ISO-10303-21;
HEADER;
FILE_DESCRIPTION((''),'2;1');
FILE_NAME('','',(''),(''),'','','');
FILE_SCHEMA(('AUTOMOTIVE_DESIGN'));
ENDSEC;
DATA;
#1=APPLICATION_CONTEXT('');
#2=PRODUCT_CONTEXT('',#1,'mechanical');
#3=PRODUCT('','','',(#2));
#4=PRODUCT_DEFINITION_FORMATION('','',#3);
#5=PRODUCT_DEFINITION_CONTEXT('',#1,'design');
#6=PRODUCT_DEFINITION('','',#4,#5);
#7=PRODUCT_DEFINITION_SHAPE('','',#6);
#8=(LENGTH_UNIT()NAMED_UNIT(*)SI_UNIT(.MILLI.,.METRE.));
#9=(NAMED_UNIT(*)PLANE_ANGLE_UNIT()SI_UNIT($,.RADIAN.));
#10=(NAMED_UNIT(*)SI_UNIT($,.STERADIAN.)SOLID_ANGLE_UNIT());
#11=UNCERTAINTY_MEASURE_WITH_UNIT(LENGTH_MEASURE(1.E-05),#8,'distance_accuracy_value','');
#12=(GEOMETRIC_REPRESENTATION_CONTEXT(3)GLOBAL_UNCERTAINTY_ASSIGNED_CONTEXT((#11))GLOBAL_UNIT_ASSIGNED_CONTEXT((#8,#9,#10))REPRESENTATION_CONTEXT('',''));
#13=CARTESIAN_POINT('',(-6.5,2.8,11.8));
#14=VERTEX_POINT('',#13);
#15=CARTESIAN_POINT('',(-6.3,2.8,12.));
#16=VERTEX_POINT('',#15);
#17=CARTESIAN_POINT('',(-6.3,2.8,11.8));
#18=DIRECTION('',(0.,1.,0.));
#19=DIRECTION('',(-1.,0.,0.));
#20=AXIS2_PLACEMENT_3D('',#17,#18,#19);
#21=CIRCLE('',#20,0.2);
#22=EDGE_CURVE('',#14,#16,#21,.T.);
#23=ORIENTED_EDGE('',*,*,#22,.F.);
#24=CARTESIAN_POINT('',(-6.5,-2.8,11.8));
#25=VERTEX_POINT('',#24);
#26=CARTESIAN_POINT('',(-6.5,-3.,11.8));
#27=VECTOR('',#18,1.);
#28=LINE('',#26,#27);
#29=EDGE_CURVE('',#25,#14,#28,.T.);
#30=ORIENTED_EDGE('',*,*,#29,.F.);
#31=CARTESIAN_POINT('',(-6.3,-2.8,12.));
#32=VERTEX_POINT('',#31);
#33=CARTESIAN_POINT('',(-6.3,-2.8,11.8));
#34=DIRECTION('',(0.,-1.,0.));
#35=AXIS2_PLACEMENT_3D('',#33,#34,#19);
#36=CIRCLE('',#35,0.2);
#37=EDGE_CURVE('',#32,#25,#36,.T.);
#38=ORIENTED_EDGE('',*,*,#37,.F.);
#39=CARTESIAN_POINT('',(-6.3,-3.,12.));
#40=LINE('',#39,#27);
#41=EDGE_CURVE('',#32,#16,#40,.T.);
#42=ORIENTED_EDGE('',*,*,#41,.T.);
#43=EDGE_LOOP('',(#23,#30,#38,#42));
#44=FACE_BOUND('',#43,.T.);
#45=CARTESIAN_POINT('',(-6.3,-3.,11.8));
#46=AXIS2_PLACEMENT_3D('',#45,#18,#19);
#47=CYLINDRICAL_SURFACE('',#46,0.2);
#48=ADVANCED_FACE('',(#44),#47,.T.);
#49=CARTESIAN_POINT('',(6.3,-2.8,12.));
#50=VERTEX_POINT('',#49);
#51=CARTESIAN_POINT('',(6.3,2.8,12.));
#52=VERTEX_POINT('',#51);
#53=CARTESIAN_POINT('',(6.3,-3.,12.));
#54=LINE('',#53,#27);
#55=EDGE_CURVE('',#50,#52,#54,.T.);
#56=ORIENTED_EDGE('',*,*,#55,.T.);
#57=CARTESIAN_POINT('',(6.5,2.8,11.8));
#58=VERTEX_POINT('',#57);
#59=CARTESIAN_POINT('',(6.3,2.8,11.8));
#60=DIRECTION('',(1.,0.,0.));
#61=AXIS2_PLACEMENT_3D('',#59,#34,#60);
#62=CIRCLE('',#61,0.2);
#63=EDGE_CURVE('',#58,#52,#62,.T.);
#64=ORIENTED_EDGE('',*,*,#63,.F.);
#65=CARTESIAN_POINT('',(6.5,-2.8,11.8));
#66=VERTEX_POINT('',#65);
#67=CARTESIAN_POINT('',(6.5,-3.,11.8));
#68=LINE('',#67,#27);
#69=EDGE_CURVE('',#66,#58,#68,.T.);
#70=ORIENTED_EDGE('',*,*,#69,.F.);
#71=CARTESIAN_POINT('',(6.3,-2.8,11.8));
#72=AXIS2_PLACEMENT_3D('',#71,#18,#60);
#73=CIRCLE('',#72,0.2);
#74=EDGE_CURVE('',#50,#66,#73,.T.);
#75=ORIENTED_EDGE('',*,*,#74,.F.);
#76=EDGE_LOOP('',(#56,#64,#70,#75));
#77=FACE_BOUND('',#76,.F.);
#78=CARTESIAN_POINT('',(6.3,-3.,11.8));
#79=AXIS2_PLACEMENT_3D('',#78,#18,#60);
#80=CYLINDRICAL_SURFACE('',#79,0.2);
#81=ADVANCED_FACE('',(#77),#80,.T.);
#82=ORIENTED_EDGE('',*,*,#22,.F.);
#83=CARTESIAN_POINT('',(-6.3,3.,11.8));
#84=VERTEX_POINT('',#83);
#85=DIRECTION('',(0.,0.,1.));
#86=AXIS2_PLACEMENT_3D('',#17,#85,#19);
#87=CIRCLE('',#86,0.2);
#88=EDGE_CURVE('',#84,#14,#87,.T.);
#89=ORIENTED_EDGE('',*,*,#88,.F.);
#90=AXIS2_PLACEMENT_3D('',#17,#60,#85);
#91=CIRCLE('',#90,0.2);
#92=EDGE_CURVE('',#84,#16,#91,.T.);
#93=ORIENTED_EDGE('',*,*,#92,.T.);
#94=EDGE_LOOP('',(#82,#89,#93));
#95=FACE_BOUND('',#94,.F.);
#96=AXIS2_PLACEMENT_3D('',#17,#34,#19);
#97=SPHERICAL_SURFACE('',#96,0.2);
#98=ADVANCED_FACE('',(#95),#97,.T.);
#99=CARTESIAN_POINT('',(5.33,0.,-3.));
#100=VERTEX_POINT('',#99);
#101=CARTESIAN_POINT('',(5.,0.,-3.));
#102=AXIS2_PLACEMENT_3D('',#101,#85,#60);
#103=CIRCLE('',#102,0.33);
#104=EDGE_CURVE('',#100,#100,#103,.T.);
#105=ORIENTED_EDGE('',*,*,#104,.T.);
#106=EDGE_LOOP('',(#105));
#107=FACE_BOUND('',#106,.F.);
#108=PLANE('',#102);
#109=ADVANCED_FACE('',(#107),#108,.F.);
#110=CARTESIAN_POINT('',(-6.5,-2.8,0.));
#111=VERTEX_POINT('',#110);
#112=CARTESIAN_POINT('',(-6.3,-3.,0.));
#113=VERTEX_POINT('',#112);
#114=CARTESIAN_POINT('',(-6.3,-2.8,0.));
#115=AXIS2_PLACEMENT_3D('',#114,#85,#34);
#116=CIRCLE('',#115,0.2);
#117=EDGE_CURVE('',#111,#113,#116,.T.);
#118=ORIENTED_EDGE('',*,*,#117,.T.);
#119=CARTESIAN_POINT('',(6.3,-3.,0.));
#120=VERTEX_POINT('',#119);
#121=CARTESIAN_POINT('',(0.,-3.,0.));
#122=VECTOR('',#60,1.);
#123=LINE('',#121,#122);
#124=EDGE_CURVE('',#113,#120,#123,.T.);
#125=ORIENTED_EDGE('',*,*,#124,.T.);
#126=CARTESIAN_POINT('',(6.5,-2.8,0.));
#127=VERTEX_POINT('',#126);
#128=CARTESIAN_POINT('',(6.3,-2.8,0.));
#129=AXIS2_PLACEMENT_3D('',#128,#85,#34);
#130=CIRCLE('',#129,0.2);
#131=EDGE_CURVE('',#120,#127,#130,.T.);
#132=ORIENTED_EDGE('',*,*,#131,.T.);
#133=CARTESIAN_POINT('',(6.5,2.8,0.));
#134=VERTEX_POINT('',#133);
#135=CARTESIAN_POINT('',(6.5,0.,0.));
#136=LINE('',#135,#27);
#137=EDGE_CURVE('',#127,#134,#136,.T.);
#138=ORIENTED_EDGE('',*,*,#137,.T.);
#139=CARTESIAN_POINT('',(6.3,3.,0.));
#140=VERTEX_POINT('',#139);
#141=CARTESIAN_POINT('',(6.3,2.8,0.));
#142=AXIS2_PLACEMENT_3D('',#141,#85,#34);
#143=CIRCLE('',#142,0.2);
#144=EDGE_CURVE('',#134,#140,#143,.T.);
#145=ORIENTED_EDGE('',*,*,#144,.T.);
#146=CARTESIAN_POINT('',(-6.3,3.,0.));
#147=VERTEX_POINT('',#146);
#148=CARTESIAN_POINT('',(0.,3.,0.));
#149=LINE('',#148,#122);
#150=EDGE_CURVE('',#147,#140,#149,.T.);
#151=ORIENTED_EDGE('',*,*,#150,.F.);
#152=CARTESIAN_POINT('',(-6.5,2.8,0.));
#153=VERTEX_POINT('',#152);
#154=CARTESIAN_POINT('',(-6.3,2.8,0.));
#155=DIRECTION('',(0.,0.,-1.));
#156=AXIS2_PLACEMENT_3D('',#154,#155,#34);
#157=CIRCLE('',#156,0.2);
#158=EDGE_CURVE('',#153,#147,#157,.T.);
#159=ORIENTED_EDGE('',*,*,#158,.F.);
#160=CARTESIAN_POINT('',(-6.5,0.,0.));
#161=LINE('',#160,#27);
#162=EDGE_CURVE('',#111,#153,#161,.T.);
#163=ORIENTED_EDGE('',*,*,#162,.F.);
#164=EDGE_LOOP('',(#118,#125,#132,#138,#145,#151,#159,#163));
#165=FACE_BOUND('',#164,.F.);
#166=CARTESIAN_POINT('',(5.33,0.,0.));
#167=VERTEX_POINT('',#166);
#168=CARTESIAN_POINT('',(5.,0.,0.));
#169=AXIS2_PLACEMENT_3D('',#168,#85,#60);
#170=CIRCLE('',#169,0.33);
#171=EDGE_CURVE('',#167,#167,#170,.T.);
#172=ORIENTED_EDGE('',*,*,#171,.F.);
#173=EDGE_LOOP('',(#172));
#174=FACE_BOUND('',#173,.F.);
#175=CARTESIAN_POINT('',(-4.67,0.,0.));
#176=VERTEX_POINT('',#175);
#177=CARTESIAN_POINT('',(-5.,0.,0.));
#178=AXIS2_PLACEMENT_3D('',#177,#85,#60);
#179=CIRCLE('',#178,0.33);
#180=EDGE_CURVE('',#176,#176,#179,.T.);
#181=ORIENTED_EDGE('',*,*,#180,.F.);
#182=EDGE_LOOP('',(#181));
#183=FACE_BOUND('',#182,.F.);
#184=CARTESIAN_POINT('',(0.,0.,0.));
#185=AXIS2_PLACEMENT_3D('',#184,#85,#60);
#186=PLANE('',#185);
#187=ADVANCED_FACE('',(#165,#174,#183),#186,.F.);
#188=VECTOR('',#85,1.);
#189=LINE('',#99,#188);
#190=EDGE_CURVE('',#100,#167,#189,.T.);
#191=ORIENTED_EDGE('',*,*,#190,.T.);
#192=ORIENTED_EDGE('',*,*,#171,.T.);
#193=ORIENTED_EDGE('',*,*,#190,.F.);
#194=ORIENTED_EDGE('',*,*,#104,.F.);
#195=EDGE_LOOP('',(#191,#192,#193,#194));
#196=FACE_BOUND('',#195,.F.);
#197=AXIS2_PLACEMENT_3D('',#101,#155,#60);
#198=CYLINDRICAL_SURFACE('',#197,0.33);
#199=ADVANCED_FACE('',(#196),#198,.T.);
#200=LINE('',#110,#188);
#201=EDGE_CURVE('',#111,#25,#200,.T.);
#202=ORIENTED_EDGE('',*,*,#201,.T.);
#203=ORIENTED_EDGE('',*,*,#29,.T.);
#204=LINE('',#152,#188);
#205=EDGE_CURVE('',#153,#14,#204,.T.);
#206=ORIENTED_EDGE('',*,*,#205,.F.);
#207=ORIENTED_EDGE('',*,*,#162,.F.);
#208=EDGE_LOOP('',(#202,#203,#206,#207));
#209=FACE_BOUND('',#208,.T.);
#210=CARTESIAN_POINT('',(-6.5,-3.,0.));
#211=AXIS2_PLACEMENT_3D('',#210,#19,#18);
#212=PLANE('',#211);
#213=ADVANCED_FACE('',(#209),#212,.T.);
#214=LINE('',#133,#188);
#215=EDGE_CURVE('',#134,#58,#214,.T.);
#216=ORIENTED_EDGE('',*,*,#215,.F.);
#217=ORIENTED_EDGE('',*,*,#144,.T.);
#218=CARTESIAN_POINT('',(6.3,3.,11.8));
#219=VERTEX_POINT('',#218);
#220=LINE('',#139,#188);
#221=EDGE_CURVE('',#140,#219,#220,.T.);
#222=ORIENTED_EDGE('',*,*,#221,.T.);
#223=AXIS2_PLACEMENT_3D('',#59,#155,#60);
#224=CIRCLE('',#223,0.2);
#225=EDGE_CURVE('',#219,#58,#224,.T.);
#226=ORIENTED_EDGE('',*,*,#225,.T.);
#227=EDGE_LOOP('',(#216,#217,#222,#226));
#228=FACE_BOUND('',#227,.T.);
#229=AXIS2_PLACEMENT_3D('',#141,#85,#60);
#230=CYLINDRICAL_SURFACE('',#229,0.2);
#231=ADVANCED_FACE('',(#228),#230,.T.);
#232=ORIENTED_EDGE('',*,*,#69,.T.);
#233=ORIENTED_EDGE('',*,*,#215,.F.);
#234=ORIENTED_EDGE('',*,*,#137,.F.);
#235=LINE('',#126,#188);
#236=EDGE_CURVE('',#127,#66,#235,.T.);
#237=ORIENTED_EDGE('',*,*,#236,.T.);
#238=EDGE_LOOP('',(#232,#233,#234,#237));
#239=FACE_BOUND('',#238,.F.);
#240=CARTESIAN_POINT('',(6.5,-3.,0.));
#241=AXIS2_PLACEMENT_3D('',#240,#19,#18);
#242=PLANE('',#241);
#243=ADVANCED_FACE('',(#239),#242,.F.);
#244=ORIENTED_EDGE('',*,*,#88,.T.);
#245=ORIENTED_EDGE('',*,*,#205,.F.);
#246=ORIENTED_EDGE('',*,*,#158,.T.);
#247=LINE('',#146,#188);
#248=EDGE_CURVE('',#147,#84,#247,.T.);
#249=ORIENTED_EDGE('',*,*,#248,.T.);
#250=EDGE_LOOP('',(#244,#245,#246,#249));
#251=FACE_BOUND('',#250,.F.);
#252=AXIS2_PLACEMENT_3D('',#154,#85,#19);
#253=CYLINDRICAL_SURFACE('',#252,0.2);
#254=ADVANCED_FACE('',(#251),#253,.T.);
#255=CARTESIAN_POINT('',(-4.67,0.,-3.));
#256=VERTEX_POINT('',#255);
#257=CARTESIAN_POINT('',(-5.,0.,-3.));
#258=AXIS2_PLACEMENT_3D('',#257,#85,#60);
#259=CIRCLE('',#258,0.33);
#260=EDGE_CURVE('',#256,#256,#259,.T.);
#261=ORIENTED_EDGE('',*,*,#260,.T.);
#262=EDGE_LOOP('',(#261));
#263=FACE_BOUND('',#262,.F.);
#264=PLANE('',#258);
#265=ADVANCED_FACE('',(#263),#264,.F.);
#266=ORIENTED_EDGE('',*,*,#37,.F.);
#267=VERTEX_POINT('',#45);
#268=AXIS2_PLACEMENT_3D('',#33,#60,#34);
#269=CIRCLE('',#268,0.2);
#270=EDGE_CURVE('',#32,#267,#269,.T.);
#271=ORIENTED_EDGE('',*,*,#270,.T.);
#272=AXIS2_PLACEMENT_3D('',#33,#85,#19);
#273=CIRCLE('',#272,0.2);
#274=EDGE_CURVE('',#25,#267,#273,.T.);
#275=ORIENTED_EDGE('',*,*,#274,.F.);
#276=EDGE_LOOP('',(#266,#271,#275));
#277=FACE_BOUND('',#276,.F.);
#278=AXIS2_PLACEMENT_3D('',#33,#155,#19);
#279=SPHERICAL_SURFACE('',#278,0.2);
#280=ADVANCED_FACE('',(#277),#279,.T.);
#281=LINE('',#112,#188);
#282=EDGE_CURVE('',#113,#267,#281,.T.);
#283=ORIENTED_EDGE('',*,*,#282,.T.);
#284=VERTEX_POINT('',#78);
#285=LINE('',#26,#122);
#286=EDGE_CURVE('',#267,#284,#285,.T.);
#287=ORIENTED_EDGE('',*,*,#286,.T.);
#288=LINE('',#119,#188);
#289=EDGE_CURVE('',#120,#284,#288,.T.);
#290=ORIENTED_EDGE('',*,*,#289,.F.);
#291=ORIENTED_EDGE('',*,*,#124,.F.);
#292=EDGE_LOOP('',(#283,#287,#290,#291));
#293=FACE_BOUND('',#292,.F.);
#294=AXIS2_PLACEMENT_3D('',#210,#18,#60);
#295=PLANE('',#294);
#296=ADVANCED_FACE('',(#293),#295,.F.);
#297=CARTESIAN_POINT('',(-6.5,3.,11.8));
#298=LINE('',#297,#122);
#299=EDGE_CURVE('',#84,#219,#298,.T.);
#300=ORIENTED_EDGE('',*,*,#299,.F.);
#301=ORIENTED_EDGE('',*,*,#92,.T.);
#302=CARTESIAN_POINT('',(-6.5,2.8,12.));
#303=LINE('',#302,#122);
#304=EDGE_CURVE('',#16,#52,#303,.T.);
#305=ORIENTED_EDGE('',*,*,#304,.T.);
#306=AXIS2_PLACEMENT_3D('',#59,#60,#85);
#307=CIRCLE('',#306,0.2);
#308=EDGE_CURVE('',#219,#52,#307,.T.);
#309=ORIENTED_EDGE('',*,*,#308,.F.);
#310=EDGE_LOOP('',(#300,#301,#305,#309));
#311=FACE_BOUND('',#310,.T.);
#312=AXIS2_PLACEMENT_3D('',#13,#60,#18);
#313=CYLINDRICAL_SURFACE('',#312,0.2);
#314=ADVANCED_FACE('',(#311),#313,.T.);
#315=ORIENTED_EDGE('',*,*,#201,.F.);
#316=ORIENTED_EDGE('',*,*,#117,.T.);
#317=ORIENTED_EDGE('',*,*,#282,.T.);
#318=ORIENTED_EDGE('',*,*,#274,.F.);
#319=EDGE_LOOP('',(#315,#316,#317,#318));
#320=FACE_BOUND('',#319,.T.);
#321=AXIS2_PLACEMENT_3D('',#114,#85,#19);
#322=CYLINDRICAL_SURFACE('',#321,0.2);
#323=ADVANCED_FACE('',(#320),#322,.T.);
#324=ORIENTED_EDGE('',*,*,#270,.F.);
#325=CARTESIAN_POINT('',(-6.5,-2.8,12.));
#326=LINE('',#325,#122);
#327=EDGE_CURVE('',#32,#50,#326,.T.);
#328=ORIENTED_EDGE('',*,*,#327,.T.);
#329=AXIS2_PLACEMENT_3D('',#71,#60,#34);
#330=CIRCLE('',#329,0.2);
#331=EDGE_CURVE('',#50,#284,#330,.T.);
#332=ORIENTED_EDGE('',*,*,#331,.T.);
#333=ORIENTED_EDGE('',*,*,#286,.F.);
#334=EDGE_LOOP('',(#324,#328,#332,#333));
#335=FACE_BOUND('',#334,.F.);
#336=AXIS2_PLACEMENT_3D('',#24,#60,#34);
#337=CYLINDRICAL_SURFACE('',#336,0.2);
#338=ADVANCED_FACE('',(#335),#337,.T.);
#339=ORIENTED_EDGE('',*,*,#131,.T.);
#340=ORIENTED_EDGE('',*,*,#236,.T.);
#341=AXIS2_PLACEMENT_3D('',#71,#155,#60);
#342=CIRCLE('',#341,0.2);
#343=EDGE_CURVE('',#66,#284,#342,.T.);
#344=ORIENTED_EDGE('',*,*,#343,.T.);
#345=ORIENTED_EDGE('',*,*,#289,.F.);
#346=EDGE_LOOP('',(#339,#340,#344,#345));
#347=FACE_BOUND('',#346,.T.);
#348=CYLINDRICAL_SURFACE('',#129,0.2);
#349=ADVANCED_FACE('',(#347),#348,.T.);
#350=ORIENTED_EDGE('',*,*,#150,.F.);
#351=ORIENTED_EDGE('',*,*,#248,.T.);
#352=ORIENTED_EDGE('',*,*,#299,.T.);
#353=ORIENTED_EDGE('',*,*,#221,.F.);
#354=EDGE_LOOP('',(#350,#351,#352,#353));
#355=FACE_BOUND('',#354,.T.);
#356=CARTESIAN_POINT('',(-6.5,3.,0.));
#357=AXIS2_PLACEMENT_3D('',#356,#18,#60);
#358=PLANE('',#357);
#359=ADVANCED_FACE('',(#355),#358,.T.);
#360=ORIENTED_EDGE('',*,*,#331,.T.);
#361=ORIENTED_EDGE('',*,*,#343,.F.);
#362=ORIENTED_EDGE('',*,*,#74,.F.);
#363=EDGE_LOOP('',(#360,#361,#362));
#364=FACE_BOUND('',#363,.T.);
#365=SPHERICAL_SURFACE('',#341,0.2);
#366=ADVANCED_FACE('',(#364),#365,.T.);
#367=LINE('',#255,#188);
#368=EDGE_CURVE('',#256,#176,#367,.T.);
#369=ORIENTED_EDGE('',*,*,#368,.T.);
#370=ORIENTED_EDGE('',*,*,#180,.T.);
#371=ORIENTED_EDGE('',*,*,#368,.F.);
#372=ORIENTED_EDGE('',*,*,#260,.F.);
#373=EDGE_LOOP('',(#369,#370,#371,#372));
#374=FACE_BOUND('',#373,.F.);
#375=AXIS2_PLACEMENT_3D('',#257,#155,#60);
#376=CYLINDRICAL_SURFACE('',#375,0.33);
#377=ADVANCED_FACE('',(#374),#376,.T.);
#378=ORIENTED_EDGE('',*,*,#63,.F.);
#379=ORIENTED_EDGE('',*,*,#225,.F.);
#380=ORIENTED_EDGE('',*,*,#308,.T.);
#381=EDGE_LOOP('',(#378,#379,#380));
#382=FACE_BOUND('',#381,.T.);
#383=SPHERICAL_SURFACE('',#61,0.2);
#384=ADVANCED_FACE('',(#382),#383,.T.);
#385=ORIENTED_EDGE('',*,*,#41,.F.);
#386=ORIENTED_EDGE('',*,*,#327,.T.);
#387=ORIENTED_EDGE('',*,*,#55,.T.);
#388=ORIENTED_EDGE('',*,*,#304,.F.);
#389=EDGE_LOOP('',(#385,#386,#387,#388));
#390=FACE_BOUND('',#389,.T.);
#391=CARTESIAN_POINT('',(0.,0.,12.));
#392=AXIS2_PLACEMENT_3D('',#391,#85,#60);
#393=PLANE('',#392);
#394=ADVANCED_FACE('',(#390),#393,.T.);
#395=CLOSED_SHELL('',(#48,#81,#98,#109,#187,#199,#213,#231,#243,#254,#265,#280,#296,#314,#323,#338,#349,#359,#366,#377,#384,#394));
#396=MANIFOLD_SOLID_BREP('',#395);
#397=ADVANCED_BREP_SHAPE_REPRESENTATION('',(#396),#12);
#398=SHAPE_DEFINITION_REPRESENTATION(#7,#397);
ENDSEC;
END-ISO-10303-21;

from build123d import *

# Parameters (mm, degrees)
CYLINDER001_R     = 0.33
CYLINDER001_DEPTH = 3
CYLINDER_R        = 0.33
CYLINDER_DEPTH    = 3
BOX_W             = 13
BOX_H             = 6
BOX_DEPTH         = 12
FILLET_R          = 0.2


with BuildPart() as pin2:
    # Cylinder001 → Cylinder001 (new body)
    with BuildSketch(Plane(origin=(5, 0, -3), x_dir=(1, 0, 0), z_dir=(0, 0, 1))):
        Circle(CYLINDER001_R)
    extrude(amount=CYLINDER001_DEPTH)


with BuildPart() as pin1:
    # Cylinder → Cylinder (new body)
    with BuildSketch(Plane(origin=(-5, 0, -3), x_dir=(1, 0, 0), z_dir=(0, 0, 1))):
        Circle(CYLINDER_R)
    extrude(amount=CYLINDER_DEPTH)


with BuildPart() as caparv1000w60l1300t600h1200:
    # Box → Box (new body)
    with BuildSketch(Plane(origin=(-6.5, -3, 0), x_dir=(1, 0, 0), z_dir=(0, 0, 1))):
        with Locations((6.5, 3)):
            Rectangle(BOX_W, BOX_H)
    extrude(amount=BOX_DEPTH)

    # Fillet
    fillet_edges = [caparv1000w60l1300t600h1200.edges().sort_by_distance(p)[0] for p in [
        (-6.5, -3, 6),
        (-6.5, 0, 12),
        (-6.5, 3, 6),
        (6.5, -3, 6),
        (6.5, 0, 12),
        (6.5, 3, 6),
        (0, -3, 12),
        (0, 3, 12),
    ]]
    fillet(fillet_edges, radius=FILLET_R)

    # Fusion: union Pin1
    add(pin1.part)

    # Fusion001: union Pin2
    add(pin2.part)


solid = caparv1000w60l1300t600h1200.part
